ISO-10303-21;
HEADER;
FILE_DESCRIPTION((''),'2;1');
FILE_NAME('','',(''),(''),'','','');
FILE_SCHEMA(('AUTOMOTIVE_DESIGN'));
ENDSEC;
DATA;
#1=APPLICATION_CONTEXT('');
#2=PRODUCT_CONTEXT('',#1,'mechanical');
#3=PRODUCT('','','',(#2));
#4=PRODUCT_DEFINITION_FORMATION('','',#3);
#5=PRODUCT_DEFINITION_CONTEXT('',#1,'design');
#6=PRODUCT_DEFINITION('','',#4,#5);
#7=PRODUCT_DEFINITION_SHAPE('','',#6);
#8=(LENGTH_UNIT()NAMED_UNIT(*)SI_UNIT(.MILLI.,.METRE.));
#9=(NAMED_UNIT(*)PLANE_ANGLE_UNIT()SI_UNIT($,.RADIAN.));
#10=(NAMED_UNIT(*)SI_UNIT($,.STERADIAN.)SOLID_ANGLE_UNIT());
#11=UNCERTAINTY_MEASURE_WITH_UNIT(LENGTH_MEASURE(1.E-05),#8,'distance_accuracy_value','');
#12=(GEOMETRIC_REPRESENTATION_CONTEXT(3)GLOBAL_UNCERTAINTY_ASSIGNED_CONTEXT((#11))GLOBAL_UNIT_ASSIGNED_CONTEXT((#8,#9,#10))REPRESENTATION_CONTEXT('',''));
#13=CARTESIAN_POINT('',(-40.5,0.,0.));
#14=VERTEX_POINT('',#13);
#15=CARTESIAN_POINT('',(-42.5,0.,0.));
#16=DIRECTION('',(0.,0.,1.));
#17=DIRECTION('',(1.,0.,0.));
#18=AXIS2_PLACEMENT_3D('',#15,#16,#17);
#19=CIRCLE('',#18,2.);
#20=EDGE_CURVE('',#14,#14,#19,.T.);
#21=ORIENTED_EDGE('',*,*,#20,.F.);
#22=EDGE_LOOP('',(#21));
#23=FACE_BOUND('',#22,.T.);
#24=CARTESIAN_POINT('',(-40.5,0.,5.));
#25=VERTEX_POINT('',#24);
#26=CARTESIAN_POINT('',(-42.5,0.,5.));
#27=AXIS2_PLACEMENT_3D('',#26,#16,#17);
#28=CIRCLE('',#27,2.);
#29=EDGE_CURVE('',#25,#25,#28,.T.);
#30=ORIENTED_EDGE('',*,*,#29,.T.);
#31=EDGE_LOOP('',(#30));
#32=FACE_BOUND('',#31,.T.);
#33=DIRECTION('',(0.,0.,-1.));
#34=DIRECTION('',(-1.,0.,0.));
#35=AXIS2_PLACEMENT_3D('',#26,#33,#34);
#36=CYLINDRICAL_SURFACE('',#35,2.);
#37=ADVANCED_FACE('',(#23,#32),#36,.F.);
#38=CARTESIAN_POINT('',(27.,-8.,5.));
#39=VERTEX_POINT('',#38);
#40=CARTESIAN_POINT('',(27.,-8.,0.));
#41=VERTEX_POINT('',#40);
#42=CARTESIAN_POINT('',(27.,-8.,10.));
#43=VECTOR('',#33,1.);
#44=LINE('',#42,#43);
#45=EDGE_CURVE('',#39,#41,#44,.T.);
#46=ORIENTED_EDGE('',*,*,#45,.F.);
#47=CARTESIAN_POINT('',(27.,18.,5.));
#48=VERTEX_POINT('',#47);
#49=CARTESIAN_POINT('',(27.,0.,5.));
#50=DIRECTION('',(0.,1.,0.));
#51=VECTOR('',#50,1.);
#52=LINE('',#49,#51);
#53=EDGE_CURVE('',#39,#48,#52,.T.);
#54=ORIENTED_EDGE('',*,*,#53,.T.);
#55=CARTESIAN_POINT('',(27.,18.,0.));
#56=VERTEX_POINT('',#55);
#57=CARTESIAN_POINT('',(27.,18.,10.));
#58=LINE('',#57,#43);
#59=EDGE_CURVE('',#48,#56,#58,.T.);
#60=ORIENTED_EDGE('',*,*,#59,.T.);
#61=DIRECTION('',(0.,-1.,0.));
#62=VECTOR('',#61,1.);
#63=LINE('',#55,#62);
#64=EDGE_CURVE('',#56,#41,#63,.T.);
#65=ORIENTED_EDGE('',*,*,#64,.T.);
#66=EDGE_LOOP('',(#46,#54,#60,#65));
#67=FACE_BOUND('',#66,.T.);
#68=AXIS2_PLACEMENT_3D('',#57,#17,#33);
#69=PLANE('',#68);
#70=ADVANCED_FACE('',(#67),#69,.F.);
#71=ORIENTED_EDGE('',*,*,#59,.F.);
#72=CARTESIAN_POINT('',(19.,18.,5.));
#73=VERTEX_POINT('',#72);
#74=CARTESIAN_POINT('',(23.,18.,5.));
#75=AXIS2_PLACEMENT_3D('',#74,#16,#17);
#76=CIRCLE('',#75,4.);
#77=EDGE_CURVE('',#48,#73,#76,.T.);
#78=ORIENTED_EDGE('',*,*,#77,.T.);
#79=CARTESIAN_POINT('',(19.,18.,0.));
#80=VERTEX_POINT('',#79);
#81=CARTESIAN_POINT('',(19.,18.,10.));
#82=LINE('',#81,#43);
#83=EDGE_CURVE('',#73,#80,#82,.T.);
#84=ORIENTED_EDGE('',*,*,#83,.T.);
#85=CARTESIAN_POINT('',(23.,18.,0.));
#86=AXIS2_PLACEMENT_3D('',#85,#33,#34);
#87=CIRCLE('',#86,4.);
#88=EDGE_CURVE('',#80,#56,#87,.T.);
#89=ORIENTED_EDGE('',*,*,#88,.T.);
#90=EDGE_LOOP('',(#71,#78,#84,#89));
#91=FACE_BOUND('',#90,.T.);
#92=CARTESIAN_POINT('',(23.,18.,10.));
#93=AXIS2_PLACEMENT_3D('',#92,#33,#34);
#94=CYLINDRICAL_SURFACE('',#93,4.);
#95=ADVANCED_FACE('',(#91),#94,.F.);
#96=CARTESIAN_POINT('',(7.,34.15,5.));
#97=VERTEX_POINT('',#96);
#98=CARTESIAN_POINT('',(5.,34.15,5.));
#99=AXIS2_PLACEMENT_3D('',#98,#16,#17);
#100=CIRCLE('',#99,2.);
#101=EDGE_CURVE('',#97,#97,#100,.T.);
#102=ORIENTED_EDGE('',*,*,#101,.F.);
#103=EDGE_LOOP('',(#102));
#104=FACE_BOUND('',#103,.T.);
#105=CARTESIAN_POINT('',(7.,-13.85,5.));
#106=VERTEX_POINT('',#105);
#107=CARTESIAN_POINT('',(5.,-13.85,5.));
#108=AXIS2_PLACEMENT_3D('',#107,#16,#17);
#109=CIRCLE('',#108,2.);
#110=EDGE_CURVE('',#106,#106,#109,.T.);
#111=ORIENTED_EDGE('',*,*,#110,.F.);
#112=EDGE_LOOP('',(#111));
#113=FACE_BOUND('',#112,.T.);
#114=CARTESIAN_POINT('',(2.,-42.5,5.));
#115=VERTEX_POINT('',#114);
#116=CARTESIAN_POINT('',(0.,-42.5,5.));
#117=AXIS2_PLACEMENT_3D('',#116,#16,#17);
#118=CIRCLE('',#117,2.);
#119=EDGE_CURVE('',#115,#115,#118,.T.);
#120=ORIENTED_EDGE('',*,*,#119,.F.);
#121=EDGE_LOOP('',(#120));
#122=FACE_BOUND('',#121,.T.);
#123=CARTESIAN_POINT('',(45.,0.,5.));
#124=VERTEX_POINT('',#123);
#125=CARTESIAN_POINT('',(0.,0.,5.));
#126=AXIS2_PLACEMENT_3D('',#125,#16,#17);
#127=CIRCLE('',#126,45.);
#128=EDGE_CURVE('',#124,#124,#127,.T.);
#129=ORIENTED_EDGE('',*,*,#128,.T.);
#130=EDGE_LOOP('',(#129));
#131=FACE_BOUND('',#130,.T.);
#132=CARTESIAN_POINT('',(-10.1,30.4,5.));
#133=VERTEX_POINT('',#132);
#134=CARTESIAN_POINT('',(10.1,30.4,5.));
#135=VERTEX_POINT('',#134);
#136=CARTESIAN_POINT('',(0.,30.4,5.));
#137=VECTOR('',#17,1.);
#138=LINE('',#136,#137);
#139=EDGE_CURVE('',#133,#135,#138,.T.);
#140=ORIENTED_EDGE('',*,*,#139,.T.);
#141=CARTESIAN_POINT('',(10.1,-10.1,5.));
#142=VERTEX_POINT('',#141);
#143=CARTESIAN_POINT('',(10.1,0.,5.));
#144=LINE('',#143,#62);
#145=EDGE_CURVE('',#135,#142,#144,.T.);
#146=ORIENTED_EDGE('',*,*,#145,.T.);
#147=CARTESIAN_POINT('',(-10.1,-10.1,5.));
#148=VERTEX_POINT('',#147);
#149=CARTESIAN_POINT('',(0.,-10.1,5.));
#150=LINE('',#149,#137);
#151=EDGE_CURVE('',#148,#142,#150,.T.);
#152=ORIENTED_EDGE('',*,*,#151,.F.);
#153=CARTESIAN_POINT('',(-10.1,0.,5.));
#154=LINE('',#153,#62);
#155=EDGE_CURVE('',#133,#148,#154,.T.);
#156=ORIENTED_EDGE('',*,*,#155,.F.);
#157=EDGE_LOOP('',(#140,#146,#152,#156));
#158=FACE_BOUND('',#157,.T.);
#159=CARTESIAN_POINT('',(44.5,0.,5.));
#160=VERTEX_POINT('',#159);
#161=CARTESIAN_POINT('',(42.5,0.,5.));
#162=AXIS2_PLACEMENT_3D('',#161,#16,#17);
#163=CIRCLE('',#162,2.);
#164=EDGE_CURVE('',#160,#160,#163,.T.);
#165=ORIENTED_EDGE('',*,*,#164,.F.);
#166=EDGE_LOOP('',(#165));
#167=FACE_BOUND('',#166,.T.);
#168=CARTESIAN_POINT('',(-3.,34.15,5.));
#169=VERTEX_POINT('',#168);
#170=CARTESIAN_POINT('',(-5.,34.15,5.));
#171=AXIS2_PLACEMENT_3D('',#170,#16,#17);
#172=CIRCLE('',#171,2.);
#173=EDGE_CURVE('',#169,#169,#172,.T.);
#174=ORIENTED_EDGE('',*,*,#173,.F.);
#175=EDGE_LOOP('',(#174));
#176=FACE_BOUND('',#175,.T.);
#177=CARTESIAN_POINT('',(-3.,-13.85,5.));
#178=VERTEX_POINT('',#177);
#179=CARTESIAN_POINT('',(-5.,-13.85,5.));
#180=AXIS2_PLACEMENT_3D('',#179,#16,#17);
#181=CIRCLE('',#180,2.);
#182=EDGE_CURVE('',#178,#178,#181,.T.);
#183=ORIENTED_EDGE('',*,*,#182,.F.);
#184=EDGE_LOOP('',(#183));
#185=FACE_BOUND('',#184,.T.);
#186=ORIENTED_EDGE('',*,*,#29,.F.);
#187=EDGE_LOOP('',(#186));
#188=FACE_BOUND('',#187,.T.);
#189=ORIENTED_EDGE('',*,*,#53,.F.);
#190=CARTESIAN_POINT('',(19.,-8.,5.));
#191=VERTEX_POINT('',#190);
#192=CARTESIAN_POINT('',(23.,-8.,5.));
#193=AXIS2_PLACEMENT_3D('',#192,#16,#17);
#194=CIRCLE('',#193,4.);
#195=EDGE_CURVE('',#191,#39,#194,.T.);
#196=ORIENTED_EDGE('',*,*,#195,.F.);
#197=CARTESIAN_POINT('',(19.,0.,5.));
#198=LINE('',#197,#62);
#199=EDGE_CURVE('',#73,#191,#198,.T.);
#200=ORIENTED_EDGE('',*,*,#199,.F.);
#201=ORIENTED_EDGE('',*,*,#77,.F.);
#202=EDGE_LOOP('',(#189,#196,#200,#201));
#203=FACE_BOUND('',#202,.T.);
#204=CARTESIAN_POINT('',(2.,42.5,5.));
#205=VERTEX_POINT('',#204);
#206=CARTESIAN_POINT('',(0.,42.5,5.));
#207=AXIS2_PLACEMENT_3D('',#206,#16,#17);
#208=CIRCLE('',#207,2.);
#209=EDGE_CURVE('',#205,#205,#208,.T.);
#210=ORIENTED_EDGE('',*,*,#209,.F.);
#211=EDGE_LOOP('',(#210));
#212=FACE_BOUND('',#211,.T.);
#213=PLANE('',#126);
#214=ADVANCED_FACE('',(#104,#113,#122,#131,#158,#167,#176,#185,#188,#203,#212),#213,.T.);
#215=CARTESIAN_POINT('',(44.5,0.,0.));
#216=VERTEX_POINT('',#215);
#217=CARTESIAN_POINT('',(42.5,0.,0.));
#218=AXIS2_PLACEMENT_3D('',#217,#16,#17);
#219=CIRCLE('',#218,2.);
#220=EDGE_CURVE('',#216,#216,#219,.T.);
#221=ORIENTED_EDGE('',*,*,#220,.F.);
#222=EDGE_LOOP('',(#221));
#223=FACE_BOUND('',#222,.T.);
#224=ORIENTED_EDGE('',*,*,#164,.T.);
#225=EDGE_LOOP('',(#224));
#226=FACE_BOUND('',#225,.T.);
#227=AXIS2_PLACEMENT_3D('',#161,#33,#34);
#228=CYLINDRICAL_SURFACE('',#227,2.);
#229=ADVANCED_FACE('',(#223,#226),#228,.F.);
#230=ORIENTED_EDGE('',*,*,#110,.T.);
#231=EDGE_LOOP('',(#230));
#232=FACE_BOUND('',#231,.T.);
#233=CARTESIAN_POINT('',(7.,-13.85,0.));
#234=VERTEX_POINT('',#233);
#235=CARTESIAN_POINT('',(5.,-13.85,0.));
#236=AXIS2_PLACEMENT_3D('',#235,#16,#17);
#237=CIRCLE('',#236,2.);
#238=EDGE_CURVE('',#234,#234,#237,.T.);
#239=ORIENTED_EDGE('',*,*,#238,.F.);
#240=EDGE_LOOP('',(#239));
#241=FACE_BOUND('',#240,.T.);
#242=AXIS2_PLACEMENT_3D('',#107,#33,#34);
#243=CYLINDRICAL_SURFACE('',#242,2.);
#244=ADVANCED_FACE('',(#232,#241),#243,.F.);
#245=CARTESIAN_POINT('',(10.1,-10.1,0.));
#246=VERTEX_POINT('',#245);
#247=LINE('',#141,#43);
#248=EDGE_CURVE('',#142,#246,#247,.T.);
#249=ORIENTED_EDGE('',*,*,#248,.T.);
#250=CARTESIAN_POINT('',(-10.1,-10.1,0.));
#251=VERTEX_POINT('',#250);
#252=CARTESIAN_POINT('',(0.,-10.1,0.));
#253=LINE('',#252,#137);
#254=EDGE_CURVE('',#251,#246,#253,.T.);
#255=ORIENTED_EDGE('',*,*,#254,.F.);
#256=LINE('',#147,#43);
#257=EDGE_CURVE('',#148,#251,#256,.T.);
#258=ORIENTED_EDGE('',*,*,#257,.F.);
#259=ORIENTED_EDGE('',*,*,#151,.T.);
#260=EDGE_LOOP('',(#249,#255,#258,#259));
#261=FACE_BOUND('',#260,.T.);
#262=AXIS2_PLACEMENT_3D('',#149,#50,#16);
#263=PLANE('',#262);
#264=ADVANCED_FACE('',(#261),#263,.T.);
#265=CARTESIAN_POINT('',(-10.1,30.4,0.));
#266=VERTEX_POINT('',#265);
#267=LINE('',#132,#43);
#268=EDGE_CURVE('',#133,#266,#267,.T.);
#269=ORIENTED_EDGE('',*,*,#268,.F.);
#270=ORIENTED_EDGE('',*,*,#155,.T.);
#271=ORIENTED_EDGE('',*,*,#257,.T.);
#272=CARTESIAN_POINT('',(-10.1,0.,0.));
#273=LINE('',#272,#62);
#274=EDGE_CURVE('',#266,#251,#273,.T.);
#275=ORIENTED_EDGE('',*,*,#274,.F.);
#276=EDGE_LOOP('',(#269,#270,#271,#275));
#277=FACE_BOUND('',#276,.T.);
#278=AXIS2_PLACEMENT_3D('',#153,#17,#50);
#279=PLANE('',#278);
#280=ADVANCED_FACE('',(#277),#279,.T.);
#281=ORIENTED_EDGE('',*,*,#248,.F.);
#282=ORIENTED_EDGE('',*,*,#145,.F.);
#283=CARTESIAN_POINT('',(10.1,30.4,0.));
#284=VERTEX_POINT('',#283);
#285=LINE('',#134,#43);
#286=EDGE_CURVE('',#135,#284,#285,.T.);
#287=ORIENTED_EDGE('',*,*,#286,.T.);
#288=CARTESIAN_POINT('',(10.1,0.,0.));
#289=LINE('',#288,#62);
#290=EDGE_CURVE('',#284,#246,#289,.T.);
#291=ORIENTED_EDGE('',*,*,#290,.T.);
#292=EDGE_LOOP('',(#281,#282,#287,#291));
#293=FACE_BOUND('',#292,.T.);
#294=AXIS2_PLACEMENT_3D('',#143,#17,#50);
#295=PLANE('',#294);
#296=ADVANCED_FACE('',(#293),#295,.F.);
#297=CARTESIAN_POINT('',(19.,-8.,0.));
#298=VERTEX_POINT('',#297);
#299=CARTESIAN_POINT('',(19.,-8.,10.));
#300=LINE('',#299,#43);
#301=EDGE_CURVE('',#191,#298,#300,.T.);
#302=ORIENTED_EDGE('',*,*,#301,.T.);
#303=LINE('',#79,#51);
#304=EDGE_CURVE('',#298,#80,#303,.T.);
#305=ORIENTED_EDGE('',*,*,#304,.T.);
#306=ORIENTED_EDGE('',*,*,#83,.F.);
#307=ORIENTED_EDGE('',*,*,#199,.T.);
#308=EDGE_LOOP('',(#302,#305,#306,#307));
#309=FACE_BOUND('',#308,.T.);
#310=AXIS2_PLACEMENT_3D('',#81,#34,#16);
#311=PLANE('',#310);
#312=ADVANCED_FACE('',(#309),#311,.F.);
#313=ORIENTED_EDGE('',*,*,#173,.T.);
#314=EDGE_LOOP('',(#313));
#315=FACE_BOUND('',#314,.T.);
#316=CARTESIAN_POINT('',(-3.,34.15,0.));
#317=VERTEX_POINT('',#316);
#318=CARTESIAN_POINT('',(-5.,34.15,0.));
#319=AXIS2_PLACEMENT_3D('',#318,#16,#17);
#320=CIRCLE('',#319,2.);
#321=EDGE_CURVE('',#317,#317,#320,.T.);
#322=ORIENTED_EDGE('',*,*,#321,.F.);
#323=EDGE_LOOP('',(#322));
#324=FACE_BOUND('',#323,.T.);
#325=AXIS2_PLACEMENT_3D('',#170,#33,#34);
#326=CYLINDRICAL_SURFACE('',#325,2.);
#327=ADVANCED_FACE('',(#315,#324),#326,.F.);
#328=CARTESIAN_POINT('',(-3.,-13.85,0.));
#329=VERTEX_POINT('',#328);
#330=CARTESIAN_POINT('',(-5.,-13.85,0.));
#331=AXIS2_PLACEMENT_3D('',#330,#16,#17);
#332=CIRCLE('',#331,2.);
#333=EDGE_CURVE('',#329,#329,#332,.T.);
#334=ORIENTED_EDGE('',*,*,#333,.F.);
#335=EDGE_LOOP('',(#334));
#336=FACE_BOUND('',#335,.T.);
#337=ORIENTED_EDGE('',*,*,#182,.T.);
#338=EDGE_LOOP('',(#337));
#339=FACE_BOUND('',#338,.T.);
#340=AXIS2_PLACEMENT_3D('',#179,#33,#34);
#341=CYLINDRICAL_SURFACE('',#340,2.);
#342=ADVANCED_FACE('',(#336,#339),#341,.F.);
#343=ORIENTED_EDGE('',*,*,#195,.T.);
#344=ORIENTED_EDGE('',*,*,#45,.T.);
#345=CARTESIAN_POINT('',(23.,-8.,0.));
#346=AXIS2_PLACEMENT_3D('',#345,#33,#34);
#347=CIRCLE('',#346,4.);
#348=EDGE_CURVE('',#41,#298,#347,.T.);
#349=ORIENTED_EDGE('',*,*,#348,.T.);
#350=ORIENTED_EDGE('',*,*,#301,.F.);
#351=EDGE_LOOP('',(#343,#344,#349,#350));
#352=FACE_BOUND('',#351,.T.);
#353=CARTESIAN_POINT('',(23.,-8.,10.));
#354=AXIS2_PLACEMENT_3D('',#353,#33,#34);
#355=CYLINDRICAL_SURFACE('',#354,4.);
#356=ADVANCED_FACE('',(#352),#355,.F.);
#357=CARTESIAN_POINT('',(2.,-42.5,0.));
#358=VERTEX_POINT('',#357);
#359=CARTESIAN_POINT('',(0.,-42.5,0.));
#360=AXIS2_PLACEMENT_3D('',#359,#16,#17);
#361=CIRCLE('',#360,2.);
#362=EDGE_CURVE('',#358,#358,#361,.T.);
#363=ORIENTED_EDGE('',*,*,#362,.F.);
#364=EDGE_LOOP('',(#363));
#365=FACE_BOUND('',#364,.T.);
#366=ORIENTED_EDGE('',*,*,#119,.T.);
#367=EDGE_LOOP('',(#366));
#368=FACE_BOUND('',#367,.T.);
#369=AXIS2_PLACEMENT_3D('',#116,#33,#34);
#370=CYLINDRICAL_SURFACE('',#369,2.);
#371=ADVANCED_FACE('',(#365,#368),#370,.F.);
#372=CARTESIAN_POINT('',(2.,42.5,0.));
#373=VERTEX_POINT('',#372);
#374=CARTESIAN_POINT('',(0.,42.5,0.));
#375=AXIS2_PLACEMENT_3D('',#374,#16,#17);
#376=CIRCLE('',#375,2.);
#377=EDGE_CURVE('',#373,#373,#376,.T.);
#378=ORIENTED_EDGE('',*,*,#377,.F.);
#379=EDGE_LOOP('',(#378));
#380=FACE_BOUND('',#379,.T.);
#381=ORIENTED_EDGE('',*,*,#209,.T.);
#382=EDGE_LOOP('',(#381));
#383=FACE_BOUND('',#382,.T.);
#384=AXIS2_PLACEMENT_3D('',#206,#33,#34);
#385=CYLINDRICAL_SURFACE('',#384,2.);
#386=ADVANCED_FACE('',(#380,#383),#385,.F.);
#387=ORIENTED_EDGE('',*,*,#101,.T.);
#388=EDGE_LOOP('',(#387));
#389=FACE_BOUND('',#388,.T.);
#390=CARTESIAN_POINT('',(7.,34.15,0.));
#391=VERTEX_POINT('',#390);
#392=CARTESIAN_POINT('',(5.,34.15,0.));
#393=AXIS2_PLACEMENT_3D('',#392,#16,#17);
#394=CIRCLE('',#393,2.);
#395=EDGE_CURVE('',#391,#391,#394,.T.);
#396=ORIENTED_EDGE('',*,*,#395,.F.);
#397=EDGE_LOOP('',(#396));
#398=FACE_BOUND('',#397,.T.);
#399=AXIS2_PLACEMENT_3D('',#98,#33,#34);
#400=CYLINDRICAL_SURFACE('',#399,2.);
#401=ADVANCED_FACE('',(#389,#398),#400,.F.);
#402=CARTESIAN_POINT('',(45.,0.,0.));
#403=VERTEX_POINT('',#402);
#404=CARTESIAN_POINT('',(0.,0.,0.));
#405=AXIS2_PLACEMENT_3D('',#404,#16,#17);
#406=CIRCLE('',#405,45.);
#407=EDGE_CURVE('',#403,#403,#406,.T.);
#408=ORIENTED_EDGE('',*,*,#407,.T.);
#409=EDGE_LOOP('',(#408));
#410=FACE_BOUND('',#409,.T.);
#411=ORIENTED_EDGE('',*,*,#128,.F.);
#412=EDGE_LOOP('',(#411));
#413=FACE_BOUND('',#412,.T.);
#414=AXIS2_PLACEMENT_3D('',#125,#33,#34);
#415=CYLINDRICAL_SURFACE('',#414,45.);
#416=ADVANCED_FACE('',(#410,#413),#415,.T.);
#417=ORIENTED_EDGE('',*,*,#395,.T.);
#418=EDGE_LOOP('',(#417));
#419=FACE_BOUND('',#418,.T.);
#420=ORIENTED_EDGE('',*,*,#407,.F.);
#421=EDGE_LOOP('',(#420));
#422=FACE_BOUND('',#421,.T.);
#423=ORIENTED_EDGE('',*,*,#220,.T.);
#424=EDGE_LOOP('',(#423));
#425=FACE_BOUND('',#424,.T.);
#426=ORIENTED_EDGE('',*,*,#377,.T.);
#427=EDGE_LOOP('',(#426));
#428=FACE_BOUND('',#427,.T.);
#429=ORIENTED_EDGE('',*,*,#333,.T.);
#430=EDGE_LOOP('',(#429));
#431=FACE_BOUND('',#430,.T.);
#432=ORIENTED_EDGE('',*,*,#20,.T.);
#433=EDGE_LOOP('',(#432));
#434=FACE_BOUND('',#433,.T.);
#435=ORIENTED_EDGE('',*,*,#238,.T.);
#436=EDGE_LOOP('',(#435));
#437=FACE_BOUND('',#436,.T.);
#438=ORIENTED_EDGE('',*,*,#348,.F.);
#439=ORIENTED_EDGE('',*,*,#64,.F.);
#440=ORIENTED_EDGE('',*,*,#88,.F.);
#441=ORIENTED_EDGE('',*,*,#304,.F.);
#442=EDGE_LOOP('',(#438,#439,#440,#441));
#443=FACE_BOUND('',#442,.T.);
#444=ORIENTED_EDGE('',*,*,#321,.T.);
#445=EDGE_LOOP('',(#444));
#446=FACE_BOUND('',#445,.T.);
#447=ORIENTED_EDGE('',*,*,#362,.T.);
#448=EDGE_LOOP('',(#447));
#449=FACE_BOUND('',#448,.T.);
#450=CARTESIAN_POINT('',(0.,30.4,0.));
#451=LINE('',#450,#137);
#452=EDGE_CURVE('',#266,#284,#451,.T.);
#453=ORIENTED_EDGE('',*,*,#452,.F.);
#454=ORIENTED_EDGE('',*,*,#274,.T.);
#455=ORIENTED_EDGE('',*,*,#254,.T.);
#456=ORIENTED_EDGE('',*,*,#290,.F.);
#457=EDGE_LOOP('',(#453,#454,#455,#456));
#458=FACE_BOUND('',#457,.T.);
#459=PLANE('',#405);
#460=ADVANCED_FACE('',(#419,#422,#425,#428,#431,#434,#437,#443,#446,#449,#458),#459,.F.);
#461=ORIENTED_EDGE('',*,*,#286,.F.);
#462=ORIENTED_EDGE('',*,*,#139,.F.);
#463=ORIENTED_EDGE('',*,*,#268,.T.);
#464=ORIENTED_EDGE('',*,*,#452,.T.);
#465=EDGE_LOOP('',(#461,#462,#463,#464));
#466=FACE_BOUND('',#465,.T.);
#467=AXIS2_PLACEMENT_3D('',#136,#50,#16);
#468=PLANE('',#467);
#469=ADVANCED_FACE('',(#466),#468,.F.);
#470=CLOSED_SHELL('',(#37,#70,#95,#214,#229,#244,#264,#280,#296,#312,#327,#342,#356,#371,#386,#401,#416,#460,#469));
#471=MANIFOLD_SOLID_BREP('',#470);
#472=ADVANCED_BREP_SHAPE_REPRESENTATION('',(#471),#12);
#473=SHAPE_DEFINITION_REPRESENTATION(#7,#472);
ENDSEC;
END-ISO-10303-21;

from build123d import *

# Parameters (mm, degrees)
SKETCH1_R           = 45
SKETCH1_R_2         = 2
SKETCH1_W           = 20.2
SKETCH1_H           = 40.5
BOSS_EXTRUDE1_DEPTH = 5
CUT_EXTRUDE1_DEPTH  = 10


with BuildPart() as part:
    # Sketch1 → Boss-Extrude1 (new body)
    with BuildSketch(Plane.XY):
        Circle(SKETCH1_R)
        with Locations((0, 42.5)):
            Circle(SKETCH1_R_2, mode=Mode.SUBTRACT)
        with Locations((-42.5, 0)):
            Circle(SKETCH1_R_2, mode=Mode.SUBTRACT)
        with Locations((0, -42.5)):
            Circle(SKETCH1_R_2, mode=Mode.SUBTRACT)
        with Locations((42.5, 0)):
            Circle(SKETCH1_R_2, mode=Mode.SUBTRACT)
        with Locations((-5, -13.85)):
            Circle(SKETCH1_R_2, mode=Mode.SUBTRACT)
        with Locations((5, -13.85)):
            Circle(SKETCH1_R_2, mode=Mode.SUBTRACT)
        with Locations((5, 34.15)):
            Circle(SKETCH1_R_2, mode=Mode.SUBTRACT)
        with Locations((-5, 34.15)):
            Circle(SKETCH1_R_2, mode=Mode.SUBTRACT)
        with Locations((0, 10.15)):
            Rectangle(SKETCH1_W, SKETCH1_H, mode=Mode.SUBTRACT)
    extrude(amount=BOSS_EXTRUDE1_DEPTH)

    # Sketch2 → Cut-Extrude1 (cut)
    with BuildSketch(Plane(origin=(0, 0, 0), x_dir=(-1, 0, 0), z_dir=(0, 0, -1))):
        with BuildLine():
            Line((-19, 18), (-19, -8))
            ThreePointArc((-19, -8), (-23, -12), (-27, -8))
            Line((-27, -8), (-27, 18))
            ThreePointArc((-27, 18), (-23, 22), (-19, 18))
        make_face()
    extrude(amount=-CUT_EXTRUDE1_DEPTH, mode=Mode.SUBTRACT)


solid = part.part
